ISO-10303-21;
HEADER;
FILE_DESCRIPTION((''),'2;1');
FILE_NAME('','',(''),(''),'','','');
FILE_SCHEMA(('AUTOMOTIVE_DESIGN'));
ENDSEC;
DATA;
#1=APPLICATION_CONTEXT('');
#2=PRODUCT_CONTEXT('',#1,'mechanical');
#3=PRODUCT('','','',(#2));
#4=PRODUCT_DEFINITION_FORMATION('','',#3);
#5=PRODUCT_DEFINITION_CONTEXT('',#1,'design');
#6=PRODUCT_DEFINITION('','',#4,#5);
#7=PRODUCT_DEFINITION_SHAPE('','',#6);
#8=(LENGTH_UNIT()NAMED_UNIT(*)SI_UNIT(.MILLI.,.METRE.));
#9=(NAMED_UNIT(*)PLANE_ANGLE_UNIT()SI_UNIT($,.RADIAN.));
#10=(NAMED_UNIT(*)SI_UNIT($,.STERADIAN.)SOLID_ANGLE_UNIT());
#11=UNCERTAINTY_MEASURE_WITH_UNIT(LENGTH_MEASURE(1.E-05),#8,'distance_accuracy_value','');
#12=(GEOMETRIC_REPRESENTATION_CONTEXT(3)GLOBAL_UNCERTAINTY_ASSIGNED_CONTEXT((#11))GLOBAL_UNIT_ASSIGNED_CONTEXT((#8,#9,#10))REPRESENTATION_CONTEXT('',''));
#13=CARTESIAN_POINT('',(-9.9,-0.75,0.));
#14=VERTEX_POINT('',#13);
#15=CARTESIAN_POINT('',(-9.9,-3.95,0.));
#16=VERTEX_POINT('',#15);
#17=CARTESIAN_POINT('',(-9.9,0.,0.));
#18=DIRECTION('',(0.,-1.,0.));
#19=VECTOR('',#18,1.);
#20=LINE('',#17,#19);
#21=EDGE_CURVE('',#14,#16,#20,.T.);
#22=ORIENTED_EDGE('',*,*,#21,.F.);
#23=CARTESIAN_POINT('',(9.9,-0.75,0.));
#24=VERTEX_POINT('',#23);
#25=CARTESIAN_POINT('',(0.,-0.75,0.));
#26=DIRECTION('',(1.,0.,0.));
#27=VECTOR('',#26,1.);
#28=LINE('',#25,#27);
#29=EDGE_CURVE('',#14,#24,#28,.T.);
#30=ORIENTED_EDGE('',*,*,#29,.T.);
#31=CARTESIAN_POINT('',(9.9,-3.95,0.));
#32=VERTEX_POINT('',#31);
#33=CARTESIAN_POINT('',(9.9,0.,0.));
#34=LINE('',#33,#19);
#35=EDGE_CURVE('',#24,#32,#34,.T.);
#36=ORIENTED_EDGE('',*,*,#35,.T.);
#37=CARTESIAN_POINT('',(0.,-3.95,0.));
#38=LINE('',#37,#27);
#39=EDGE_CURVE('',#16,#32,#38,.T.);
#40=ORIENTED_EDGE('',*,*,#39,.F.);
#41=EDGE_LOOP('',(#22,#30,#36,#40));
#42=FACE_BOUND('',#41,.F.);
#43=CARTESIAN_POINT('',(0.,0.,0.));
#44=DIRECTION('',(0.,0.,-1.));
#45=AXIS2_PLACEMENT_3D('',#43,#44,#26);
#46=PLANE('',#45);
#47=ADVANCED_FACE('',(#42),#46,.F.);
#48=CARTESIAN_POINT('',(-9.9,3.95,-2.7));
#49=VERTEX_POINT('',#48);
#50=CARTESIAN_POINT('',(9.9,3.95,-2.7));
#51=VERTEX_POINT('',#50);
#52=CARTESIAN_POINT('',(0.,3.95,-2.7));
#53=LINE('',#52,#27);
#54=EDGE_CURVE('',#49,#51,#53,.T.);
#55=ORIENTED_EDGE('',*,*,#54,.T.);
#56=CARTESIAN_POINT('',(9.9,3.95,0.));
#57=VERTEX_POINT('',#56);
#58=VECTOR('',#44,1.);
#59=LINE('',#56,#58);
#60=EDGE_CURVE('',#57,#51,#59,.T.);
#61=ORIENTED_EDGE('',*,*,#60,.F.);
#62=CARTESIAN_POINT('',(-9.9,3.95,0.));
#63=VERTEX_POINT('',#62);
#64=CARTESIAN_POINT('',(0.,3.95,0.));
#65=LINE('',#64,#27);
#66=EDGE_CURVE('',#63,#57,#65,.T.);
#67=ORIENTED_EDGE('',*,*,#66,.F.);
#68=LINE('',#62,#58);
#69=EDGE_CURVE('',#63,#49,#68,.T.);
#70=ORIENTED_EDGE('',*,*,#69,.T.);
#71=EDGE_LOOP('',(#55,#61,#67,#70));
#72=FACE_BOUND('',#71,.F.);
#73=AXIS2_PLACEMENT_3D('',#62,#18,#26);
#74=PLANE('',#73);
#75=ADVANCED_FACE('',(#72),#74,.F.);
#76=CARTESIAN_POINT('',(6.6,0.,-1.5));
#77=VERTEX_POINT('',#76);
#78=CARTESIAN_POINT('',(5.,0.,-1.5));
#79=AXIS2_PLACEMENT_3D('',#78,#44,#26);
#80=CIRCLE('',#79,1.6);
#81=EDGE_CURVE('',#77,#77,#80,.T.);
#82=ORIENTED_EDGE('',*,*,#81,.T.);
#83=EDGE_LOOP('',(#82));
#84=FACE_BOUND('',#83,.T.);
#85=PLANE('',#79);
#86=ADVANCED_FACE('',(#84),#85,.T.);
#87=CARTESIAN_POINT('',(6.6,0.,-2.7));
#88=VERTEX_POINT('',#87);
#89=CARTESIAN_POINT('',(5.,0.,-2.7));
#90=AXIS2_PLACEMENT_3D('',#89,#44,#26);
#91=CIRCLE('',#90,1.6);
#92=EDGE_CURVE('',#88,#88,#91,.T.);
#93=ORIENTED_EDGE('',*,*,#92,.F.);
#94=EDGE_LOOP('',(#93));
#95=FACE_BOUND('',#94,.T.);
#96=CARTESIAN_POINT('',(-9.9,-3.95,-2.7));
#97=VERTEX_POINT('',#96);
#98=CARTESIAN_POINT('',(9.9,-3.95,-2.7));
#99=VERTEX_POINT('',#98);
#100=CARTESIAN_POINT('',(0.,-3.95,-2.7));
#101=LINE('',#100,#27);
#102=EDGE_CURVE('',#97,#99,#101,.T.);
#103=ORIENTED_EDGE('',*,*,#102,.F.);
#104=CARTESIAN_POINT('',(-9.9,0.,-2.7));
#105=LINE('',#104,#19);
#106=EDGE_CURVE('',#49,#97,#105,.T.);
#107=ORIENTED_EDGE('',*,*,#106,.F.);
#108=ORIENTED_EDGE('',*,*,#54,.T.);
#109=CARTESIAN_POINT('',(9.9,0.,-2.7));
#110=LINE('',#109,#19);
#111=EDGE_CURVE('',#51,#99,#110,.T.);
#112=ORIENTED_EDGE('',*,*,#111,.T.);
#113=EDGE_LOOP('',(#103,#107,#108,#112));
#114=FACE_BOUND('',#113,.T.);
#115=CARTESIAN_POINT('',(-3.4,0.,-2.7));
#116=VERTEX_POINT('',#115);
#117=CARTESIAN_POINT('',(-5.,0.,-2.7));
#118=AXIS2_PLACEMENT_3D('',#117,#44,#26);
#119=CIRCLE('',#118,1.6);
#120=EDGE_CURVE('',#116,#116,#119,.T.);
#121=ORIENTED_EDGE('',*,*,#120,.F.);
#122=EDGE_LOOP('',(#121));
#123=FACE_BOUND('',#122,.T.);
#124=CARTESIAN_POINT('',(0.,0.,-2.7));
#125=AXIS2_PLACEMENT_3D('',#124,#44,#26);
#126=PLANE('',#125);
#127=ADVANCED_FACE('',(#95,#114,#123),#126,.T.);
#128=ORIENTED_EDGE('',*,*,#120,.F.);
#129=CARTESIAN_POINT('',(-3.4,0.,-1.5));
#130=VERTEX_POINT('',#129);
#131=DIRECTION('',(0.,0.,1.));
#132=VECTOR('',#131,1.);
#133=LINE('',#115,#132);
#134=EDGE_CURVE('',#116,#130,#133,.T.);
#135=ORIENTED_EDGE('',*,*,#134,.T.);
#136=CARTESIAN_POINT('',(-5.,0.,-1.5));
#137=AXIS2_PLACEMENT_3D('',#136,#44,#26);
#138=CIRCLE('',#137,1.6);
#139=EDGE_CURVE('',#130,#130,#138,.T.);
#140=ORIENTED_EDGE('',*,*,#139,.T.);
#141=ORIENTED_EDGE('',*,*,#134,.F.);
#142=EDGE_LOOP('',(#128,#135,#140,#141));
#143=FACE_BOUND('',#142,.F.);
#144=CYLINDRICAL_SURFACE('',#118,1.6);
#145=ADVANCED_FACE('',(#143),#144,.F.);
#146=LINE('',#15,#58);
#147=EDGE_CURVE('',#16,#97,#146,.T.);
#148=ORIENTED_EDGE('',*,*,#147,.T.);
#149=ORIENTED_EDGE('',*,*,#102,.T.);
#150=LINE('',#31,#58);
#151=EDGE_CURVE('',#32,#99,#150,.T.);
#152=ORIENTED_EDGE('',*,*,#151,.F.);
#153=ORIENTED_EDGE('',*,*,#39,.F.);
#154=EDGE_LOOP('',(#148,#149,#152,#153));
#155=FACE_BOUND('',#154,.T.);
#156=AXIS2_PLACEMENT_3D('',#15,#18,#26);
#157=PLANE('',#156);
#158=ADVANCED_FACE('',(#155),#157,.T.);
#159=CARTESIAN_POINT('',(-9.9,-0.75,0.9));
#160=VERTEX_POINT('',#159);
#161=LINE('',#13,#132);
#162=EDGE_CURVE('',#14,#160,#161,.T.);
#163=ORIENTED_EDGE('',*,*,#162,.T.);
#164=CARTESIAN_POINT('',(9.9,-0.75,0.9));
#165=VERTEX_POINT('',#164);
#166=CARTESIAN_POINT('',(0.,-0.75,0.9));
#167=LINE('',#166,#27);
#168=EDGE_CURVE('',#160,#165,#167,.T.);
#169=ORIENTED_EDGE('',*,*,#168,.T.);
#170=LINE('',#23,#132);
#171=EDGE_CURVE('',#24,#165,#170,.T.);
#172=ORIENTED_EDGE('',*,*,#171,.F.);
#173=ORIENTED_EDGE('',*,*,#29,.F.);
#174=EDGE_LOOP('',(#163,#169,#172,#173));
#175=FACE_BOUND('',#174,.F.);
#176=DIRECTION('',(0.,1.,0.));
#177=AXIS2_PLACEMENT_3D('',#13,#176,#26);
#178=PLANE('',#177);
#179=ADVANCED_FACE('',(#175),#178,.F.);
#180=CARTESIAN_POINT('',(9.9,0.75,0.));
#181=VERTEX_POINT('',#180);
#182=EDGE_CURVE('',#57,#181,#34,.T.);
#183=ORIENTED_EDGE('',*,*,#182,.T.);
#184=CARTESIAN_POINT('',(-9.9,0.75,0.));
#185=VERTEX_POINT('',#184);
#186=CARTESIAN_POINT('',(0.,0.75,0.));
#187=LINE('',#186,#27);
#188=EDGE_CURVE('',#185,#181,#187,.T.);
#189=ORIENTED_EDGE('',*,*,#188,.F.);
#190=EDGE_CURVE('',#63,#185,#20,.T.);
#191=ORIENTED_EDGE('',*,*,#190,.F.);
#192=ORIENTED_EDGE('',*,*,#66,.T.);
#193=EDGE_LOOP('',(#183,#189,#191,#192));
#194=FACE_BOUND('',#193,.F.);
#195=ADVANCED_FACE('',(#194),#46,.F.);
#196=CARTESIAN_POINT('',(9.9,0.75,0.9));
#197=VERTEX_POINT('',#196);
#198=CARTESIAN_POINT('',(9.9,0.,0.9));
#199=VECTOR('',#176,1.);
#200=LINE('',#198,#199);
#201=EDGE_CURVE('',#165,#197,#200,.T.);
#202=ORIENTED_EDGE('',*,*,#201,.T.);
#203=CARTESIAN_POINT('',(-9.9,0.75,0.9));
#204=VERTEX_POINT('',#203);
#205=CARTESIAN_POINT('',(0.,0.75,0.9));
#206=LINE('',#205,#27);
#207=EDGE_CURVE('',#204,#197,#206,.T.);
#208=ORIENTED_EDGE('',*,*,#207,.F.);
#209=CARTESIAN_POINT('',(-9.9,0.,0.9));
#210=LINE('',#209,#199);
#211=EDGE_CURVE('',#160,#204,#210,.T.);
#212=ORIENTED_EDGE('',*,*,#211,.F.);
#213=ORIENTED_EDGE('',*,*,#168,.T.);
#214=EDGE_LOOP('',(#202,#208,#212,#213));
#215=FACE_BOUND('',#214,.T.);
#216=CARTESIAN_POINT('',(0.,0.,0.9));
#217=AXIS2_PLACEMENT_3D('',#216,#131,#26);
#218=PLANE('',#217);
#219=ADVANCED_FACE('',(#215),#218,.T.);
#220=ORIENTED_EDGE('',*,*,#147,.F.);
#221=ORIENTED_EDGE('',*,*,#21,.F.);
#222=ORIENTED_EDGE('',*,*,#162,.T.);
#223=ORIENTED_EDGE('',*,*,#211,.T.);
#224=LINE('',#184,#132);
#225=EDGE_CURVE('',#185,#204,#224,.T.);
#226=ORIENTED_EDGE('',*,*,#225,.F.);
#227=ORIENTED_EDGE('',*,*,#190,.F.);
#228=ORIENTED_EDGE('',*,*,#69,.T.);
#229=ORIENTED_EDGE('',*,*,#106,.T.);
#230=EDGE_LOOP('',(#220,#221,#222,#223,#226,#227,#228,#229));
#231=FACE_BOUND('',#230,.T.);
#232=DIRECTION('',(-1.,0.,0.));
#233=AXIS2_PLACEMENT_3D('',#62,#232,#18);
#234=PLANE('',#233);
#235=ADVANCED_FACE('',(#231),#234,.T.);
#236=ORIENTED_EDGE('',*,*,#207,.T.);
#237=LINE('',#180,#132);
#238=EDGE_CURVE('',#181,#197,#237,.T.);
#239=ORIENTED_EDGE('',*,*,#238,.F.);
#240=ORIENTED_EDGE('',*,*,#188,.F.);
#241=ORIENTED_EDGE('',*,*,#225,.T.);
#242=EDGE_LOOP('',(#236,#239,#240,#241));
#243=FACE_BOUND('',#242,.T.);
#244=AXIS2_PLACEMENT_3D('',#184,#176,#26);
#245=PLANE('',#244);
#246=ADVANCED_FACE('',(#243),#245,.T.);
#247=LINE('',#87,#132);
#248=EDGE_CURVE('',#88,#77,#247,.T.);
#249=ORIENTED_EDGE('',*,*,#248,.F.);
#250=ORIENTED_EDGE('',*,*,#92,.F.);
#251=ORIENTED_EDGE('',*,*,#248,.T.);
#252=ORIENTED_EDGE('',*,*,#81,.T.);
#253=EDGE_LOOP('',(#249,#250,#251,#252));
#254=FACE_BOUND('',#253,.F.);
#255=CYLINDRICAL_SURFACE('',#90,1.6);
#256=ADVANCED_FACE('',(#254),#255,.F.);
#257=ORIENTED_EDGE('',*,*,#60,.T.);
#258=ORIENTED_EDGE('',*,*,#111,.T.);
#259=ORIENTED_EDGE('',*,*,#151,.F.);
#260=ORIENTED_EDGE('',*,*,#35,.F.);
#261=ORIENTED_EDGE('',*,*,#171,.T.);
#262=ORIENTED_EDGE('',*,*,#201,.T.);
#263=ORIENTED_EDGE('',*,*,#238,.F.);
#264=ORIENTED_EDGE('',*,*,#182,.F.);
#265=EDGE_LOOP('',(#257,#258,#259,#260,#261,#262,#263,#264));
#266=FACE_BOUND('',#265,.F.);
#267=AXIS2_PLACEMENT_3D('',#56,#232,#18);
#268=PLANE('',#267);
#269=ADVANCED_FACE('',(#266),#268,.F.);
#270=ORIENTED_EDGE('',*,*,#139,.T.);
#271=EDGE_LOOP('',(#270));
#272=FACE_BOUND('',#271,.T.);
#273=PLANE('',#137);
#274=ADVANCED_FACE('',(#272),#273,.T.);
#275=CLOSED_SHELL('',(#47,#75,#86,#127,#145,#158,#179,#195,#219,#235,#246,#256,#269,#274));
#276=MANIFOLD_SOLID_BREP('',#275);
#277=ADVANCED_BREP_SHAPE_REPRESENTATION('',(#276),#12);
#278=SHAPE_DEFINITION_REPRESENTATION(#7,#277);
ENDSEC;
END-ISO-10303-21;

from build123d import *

# Parameters (mm, degrees)
F0_W     = 19.8
F0_H     = 1.5
F1_DEPTH = 0.9
F2_W     = 19.8
F2_H     = 7.9
F3_DEPTH = 2.7
F4_R     = 1.6
F5_DEPTH = 1.2


with BuildPart() as f1:
    # F0 (on Top) → F1 (new body)
    with BuildSketch(Plane.XY):
        Rectangle(F0_W, F0_H)
    extrude(amount=F1_DEPTH)

    # F2 (on face) → F3 (join)
    with BuildSketch(Plane(origin=(0, 0, 0), x_dir=(1, 0, 0), z_dir=(0, 0, -1))):
        Rectangle(F2_W, F2_H)
    extrude(amount=F3_DEPTH)

    # F4 (on face) → F5 (cut)
    with BuildSketch(Plane(origin=(0, 0, -2.7), x_dir=(1, 0, 0), z_dir=(0, 0, -1))):
        with Locations((-5, 0)):
            Circle(F4_R)
        with Locations((5, 0)):
            Circle(F4_R)
    extrude(amount=-F5_DEPTH, mode=Mode.SUBTRACT)


solid = f1.part
